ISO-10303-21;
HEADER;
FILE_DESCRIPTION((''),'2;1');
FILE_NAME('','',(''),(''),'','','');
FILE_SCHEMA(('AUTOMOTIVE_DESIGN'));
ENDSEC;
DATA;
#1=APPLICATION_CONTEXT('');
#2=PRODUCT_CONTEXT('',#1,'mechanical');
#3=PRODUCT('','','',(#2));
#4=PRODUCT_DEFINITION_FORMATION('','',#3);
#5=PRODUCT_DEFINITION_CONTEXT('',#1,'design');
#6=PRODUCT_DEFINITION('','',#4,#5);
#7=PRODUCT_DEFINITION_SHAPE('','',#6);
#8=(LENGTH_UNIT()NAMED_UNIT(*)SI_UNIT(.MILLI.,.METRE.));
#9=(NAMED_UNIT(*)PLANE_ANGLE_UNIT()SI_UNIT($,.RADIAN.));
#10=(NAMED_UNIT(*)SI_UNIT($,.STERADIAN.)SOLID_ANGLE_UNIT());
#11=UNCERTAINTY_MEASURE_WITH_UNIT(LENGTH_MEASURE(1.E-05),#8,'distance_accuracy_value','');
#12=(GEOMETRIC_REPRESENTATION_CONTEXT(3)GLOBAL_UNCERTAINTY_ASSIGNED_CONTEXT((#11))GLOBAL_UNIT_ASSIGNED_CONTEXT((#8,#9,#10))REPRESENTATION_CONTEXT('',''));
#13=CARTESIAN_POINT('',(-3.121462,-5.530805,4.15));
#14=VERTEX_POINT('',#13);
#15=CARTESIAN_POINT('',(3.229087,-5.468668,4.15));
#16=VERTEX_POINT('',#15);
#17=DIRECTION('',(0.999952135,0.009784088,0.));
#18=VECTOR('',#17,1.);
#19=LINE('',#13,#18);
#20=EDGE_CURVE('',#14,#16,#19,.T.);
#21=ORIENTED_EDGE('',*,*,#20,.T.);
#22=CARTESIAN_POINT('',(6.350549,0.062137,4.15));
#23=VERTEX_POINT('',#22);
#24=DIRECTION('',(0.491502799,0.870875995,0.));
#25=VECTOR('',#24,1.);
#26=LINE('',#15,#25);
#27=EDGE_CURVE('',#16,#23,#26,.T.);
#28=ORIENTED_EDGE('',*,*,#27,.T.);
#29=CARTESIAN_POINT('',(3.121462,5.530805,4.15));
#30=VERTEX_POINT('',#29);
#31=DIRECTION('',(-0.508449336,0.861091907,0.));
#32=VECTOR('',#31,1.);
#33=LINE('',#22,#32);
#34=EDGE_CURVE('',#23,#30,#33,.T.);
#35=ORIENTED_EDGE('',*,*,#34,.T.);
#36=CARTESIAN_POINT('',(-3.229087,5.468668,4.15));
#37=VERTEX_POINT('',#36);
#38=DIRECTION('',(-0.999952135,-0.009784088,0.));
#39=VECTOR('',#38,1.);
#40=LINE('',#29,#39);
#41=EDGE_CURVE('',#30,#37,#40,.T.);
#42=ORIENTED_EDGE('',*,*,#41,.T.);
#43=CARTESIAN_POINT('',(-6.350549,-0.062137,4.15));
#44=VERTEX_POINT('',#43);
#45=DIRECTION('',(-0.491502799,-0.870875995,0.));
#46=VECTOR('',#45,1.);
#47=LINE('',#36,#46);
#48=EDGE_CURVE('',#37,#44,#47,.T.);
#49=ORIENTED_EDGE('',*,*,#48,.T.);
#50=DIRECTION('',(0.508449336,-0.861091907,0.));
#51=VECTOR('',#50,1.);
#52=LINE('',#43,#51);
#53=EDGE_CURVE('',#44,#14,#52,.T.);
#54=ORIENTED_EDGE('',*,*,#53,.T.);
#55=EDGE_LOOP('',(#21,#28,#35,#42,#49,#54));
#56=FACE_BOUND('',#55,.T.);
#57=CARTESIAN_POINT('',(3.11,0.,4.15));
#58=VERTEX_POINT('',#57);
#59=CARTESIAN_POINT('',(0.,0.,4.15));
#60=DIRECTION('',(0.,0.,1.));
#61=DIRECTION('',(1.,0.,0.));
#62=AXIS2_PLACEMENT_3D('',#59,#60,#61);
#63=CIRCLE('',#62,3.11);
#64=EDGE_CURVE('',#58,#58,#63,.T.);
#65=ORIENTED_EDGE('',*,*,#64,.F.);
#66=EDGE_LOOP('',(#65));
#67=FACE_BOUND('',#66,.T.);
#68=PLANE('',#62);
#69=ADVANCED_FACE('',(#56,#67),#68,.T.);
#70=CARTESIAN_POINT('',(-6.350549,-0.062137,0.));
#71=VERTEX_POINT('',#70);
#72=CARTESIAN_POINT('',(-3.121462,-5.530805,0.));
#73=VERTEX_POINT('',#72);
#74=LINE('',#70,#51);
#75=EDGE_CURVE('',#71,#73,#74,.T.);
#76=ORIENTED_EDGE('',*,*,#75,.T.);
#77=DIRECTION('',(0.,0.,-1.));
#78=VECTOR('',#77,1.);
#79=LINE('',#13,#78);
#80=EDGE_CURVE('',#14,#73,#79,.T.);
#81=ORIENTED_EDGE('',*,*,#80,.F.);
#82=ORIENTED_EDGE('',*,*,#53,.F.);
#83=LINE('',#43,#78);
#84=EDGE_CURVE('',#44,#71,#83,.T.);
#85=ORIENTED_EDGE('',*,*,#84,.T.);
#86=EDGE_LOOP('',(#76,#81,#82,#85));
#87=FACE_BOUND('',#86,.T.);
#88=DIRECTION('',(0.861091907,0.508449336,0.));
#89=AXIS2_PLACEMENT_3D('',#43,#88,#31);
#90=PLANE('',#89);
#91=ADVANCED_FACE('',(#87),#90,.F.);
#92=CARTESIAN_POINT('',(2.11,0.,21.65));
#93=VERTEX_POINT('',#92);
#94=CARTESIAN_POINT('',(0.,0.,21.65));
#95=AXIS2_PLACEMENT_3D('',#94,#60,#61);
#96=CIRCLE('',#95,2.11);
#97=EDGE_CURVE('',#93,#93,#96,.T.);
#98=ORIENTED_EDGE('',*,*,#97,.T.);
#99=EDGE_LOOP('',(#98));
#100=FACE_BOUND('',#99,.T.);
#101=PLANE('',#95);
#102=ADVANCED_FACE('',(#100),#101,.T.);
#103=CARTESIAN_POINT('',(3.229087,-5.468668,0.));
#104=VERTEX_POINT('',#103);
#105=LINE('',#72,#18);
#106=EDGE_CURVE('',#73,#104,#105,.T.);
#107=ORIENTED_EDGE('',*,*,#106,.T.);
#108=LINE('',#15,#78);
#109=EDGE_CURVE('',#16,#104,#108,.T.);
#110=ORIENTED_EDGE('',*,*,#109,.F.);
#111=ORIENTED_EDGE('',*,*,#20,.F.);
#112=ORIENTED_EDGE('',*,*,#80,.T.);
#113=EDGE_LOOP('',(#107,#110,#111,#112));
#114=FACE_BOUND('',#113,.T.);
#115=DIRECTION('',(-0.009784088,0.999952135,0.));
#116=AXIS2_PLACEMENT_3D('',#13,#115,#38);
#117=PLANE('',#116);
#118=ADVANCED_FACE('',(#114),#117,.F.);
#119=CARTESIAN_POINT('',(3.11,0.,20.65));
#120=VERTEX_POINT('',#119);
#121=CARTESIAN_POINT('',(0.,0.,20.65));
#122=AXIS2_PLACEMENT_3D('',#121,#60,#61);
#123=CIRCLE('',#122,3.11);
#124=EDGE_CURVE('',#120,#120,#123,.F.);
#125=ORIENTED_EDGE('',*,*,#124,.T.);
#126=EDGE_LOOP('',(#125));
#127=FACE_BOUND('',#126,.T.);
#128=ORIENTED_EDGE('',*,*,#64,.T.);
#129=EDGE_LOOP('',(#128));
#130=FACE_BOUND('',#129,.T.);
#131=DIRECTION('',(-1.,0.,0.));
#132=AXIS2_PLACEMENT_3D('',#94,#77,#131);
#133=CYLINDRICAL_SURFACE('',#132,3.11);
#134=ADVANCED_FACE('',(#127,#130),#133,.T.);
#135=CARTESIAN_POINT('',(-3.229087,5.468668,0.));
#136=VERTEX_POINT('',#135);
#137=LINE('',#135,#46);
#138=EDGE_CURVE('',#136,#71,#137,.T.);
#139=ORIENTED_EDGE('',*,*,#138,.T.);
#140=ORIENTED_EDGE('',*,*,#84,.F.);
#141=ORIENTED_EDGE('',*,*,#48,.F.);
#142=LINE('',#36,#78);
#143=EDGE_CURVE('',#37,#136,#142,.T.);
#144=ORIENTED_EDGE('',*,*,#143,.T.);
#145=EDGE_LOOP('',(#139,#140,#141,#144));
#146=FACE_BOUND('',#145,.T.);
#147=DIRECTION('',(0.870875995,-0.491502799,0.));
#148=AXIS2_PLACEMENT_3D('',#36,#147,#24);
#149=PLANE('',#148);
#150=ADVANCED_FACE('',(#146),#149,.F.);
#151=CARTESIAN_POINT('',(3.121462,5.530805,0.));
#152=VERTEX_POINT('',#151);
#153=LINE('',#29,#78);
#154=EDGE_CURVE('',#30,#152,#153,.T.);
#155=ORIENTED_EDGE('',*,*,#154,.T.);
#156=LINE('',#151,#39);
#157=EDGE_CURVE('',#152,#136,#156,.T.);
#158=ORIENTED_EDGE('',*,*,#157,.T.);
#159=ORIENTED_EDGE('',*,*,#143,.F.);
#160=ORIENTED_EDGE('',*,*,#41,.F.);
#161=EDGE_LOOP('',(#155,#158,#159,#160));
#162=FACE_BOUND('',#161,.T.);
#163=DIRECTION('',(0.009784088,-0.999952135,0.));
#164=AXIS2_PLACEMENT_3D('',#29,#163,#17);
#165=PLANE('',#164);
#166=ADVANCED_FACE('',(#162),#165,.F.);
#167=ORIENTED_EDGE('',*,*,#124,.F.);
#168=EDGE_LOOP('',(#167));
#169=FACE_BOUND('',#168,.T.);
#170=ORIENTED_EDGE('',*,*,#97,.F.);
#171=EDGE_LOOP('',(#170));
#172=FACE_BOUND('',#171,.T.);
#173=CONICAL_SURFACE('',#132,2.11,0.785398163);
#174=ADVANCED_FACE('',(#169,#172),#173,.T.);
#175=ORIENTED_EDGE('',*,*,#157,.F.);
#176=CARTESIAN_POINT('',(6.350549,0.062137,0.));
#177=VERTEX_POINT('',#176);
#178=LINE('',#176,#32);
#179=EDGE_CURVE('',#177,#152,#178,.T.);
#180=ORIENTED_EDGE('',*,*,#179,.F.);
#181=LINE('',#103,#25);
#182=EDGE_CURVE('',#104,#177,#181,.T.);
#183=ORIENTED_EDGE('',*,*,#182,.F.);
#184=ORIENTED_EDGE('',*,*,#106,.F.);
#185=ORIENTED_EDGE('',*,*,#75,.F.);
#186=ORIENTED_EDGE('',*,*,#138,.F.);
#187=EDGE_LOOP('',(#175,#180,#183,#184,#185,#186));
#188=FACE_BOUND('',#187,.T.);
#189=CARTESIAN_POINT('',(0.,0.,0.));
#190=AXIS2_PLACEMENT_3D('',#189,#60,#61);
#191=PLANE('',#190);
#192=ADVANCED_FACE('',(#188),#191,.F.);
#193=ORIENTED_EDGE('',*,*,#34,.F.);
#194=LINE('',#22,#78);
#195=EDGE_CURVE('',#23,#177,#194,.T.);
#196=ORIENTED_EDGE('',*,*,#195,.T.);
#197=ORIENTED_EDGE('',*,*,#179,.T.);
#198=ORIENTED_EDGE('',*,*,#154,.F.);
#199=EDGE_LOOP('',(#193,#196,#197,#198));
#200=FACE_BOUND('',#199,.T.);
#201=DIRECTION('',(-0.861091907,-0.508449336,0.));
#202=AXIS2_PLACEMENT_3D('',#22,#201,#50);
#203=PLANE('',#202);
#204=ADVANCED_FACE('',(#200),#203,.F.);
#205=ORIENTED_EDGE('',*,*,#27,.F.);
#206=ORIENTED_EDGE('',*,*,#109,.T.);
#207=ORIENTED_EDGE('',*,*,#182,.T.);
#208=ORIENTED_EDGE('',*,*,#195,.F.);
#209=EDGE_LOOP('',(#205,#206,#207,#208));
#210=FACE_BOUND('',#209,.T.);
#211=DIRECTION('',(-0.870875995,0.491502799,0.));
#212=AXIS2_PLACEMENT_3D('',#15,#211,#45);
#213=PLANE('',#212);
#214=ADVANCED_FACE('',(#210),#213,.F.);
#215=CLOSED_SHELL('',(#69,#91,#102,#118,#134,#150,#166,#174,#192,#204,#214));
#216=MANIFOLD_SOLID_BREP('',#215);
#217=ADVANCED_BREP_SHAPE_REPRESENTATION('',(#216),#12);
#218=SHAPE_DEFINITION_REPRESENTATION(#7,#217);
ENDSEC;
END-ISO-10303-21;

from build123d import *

# Parameters (mm, degrees)
DODANIE_WYCI_GNI_CIE1_DEPTH = 4.15
SZKIC2_R                    = 3.11
DODANIE_WYCI_GNI_CIE2_DEPTH = 17.5
SFAZOWANIE1_SIZE            = 1


with BuildPart() as part:
    # Szkic1 → Dodanie-wyciągnięcie1 (new body)
    with BuildSketch(Plane.XY):
        Polygon((-3.229086971, 5.468668089), (-6.350548975, -0.062137304), (-3.121462004, -5.530805393), (3.229086971, -5.468668089), (6.350548975, 0.062137304), (3.121462004, 5.530805393), align=None)
    extrude(amount=DODANIE_WYCI_GNI_CIE1_DEPTH)

    # Szkic2 → Dodanie-wyciągnięcie2 (add)
    with BuildSketch(Plane.XY.offset(4.15)):
        Circle(SZKIC2_R)
    extrude(amount=DODANIE_WYCI_GNI_CIE2_DEPTH)

    # Sfazowanie1
    sfazowanie1_edges = [part.edges().sort_by_distance(p)[0] for p in [
        (-3.11, 0, 21.65),
    ]]
    chamfer(sfazowanie1_edges, length=SFAZOWANIE1_SIZE)


solid = part.part
